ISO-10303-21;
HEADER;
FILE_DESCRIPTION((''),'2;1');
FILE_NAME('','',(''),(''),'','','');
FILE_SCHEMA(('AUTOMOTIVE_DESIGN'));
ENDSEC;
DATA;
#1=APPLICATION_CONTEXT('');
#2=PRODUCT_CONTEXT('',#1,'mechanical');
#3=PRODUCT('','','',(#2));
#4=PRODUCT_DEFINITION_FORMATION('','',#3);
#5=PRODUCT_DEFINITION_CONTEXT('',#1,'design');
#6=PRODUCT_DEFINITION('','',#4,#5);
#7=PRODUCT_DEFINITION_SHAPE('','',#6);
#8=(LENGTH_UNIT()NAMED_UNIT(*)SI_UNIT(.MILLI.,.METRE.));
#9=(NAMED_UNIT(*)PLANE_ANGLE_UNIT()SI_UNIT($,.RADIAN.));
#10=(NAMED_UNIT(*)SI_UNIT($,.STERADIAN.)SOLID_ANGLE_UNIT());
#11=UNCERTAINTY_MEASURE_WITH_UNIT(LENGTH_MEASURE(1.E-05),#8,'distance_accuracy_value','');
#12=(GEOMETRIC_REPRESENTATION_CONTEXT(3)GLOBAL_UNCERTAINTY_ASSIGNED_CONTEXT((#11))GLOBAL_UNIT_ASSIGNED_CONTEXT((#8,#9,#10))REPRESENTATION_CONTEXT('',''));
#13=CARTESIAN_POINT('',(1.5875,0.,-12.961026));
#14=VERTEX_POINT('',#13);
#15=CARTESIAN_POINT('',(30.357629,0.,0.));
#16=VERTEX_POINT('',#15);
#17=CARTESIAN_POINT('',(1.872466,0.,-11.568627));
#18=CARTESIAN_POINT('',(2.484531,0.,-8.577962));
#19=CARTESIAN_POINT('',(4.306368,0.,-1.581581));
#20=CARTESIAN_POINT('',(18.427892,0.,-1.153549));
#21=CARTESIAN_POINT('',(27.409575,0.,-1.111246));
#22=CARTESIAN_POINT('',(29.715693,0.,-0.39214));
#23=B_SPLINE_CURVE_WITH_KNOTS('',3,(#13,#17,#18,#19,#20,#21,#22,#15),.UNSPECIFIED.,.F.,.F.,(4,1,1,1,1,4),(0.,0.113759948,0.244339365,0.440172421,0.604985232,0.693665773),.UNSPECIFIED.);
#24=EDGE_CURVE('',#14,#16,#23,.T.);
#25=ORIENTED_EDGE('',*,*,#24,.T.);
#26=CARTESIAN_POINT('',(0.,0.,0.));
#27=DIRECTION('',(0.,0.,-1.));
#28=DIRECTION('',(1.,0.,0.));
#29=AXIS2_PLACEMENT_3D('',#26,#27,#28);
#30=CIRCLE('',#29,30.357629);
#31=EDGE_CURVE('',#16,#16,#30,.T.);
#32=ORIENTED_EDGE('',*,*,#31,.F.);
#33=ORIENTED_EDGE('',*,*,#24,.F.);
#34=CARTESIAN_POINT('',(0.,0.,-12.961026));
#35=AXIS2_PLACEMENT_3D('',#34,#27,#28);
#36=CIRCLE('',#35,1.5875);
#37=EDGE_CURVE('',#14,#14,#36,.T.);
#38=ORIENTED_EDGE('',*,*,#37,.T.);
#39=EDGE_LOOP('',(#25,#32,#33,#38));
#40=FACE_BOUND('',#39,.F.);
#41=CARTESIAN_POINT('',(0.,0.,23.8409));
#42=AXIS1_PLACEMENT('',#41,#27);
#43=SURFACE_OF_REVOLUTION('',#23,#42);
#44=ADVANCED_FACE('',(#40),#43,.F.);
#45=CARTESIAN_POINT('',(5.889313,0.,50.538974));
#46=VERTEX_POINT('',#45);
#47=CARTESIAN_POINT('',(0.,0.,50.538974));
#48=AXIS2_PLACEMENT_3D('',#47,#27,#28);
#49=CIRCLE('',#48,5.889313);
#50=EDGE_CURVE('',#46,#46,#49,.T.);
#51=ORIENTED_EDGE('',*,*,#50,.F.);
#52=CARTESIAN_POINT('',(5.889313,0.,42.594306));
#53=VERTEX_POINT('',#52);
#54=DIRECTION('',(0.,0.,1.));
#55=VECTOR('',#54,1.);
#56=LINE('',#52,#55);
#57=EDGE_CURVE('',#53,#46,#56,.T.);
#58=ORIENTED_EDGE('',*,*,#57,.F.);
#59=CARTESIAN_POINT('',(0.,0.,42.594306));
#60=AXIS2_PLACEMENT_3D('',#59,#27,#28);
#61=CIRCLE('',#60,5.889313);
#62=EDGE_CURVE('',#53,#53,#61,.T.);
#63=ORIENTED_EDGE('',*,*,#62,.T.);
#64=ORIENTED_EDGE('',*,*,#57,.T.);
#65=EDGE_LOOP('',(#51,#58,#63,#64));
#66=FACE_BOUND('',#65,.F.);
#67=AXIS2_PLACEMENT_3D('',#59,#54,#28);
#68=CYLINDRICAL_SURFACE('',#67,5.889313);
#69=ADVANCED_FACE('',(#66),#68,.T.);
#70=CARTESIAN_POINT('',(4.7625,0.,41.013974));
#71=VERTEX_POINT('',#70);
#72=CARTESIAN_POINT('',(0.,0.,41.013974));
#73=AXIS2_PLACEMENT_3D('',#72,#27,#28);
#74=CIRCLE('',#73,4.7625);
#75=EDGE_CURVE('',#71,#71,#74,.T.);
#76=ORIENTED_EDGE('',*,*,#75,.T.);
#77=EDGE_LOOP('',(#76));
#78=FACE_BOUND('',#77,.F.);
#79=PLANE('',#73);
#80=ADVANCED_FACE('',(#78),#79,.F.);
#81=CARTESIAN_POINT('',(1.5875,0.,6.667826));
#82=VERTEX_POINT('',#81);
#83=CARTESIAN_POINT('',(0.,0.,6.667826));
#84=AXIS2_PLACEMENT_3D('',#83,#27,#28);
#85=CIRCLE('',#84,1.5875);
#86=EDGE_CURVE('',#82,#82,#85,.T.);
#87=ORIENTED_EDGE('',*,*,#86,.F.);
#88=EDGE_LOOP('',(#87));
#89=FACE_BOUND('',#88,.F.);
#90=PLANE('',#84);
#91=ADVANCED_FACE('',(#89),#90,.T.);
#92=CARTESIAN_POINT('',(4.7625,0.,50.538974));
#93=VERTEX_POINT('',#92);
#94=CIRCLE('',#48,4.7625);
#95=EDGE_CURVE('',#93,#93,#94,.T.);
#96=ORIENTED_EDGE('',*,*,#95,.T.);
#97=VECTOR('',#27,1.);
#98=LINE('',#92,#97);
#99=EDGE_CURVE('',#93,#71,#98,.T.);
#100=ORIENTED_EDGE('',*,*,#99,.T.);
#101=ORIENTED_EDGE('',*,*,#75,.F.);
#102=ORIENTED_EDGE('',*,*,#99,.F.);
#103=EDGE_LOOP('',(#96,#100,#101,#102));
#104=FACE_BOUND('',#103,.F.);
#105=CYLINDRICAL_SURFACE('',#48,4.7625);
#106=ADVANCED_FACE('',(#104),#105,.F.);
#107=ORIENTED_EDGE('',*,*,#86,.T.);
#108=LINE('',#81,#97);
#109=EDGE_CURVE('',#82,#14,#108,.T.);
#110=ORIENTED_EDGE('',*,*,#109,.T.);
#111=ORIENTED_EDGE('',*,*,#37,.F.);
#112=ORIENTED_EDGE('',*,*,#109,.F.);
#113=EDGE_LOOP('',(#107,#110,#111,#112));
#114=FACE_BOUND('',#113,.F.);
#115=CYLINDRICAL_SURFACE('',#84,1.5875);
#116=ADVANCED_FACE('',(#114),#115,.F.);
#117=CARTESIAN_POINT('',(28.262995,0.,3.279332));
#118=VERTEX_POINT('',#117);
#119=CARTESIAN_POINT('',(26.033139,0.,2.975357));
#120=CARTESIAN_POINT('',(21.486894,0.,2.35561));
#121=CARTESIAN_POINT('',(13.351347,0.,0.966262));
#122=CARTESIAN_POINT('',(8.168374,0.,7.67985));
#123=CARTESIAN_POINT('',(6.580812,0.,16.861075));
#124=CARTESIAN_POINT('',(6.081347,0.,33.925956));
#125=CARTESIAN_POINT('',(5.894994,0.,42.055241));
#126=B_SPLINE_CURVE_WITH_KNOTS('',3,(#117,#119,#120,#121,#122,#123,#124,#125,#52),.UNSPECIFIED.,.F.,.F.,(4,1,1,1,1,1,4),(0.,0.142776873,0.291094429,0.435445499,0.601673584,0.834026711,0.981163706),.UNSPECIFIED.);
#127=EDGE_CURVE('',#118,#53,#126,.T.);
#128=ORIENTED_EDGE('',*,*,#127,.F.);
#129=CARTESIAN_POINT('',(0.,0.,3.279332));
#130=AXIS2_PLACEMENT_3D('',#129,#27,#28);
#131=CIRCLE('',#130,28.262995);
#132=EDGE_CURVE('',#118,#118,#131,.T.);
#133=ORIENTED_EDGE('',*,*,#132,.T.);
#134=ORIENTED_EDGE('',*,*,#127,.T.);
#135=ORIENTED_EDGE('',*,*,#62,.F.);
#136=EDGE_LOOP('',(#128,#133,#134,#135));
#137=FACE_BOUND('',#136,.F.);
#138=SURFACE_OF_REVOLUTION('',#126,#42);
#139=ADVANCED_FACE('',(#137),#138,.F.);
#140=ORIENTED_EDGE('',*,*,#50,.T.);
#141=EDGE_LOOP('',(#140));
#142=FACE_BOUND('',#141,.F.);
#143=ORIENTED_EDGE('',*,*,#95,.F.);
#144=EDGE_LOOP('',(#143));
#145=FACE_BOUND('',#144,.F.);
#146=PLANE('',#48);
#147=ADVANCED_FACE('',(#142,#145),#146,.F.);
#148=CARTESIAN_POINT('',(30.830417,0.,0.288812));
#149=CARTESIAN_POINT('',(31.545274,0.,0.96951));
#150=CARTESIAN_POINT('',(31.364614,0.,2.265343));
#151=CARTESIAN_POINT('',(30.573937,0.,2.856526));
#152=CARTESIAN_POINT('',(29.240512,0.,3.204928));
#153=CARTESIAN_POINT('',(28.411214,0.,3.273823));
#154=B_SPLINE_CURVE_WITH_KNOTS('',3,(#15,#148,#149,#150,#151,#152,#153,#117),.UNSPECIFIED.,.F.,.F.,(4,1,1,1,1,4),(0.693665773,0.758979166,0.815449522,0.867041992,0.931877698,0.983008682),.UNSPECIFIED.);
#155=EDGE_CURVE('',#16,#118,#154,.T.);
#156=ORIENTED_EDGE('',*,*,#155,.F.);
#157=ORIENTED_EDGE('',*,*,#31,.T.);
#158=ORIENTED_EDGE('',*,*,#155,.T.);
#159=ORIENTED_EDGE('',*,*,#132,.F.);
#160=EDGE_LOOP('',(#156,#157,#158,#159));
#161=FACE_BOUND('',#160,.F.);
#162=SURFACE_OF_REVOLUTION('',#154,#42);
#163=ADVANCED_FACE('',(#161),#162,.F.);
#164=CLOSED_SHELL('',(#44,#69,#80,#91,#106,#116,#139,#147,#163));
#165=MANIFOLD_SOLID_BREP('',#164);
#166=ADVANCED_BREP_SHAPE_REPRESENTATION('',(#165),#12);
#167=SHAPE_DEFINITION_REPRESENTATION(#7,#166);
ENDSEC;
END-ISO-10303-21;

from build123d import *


with BuildPart() as f1:
    # F0 (on Front) → F1 (revolve)
    with BuildSketch(Plane.XZ):
        with BuildLine():
            Line((1.5875, 6.667825859), (1.5875, 0))
            Line((1.5875, 0), (30.3576290607, 0))
            add(Edge.make_bspline(
                [(30.3576290607, 0), (30.83041657, 0.2888116275), (31.5452742802, 0.9695100401), (31.3646140846, 2.2653434662), (30.573937311, 2.8565264178), (29.2405122483, 3.2049277973), (28.4112141117, 3.2738227195), (28.2629951835, 3.2793318387)],
                knots=[0.6936657727, 0.6936657727, 0.6936657727, 0.6936657727, 0.7589791665, 0.815449522, 0.8670419918, 0.9318776982, 0.9830086816, 0.9830086816, 0.9830086816, 0.9830086816], degree=3))
            add(Edge.make_bspline(
                [(28.2629951835, 3.2793318387), (26.0331390431, 2.9753567081), (21.4868936582, 2.3556102098), (13.3513474751, 0.9662615501), (8.1683742514, 7.679850131), (6.5808118766, 16.8610745577), (6.0813470903, 33.9259559216), (5.8949944364, 42.0552409752), (5.8893128298, 42.5943061709)],
                knots=[0, 0, 0, 0, 0.1427768732, 0.2910944294, 0.4354454991, 0.6016735837, 0.8340267107, 0.9811637063, 0.9811637063, 0.9811637063, 0.9811637063], degree=3))
            add(Edge.make_bspline(
                [(5.8893128298, 42.5943061709), (5.8885854777, 42.6633166214), (5.8889491537, 42.6895056884), (5.8893128298, 42.7156947553)],
                knots=[0.9811637063, 0.9811637063, 0.9811637063, 0.9811637063, 1, 1, 1, 1], degree=3))
            Line((5.8893128298, 42.7156947553), (5.8893128298, 50.5389739863))
            Line((5.8893128298, 50.5389739863), (4.7625, 50.5389739863))
            Line((4.7625, 50.5389739863), (4.7625, 41.0139739863))
            Line((4.7625, 41.0139739863), (0, 41.0139739863))
            Line((0, 41.0139739863), (0, 6.667825859))
            Line((0, 6.667825859), (1.5875, 6.667825859))
        make_face()
        with BuildLine():
            Line((30.3576290607, 0), (1.5875, 0))
            Line((1.5875, 0), (1.5875, -12.9610260137))
            add(Edge.make_bspline(
                [(1.5875, -12.9610260137), (1.8724662747, -11.5686269888), (2.4845312419, -8.5779619908), (4.3063683854, -1.5815812013), (18.4278924431, -1.1535487248), (27.4095754611, -1.111245668), (29.7156925528, -0.3921396483), (30.3576290607, 0)],
                knots=[0, 0, 0, 0, 0.1137599478, 0.2443393653, 0.4401724208, 0.6049852319, 0.6936657727, 0.6936657727, 0.6936657727, 0.6936657727], degree=3))
        make_face()
        with BuildLine():
            add(Edge.make_bspline(
                [(5.8893128298, 42.5943061709), (5.8885854777, 42.6633166214), (5.8889491537, 42.6895056884), (5.8893128298, 42.7156947553)],
                knots=[0.9811637063, 0.9811637063, 0.9811637063, 0.9811637063, 1, 1, 1, 1], degree=3))
            Line((5.8893128298, 42.5943061709), (5.8893128298, 42.7156947553))
        make_face()
    revolve(axis=Axis((0, 0, 23.8408999226), (0, 0, -1)))


solid = f1.part
